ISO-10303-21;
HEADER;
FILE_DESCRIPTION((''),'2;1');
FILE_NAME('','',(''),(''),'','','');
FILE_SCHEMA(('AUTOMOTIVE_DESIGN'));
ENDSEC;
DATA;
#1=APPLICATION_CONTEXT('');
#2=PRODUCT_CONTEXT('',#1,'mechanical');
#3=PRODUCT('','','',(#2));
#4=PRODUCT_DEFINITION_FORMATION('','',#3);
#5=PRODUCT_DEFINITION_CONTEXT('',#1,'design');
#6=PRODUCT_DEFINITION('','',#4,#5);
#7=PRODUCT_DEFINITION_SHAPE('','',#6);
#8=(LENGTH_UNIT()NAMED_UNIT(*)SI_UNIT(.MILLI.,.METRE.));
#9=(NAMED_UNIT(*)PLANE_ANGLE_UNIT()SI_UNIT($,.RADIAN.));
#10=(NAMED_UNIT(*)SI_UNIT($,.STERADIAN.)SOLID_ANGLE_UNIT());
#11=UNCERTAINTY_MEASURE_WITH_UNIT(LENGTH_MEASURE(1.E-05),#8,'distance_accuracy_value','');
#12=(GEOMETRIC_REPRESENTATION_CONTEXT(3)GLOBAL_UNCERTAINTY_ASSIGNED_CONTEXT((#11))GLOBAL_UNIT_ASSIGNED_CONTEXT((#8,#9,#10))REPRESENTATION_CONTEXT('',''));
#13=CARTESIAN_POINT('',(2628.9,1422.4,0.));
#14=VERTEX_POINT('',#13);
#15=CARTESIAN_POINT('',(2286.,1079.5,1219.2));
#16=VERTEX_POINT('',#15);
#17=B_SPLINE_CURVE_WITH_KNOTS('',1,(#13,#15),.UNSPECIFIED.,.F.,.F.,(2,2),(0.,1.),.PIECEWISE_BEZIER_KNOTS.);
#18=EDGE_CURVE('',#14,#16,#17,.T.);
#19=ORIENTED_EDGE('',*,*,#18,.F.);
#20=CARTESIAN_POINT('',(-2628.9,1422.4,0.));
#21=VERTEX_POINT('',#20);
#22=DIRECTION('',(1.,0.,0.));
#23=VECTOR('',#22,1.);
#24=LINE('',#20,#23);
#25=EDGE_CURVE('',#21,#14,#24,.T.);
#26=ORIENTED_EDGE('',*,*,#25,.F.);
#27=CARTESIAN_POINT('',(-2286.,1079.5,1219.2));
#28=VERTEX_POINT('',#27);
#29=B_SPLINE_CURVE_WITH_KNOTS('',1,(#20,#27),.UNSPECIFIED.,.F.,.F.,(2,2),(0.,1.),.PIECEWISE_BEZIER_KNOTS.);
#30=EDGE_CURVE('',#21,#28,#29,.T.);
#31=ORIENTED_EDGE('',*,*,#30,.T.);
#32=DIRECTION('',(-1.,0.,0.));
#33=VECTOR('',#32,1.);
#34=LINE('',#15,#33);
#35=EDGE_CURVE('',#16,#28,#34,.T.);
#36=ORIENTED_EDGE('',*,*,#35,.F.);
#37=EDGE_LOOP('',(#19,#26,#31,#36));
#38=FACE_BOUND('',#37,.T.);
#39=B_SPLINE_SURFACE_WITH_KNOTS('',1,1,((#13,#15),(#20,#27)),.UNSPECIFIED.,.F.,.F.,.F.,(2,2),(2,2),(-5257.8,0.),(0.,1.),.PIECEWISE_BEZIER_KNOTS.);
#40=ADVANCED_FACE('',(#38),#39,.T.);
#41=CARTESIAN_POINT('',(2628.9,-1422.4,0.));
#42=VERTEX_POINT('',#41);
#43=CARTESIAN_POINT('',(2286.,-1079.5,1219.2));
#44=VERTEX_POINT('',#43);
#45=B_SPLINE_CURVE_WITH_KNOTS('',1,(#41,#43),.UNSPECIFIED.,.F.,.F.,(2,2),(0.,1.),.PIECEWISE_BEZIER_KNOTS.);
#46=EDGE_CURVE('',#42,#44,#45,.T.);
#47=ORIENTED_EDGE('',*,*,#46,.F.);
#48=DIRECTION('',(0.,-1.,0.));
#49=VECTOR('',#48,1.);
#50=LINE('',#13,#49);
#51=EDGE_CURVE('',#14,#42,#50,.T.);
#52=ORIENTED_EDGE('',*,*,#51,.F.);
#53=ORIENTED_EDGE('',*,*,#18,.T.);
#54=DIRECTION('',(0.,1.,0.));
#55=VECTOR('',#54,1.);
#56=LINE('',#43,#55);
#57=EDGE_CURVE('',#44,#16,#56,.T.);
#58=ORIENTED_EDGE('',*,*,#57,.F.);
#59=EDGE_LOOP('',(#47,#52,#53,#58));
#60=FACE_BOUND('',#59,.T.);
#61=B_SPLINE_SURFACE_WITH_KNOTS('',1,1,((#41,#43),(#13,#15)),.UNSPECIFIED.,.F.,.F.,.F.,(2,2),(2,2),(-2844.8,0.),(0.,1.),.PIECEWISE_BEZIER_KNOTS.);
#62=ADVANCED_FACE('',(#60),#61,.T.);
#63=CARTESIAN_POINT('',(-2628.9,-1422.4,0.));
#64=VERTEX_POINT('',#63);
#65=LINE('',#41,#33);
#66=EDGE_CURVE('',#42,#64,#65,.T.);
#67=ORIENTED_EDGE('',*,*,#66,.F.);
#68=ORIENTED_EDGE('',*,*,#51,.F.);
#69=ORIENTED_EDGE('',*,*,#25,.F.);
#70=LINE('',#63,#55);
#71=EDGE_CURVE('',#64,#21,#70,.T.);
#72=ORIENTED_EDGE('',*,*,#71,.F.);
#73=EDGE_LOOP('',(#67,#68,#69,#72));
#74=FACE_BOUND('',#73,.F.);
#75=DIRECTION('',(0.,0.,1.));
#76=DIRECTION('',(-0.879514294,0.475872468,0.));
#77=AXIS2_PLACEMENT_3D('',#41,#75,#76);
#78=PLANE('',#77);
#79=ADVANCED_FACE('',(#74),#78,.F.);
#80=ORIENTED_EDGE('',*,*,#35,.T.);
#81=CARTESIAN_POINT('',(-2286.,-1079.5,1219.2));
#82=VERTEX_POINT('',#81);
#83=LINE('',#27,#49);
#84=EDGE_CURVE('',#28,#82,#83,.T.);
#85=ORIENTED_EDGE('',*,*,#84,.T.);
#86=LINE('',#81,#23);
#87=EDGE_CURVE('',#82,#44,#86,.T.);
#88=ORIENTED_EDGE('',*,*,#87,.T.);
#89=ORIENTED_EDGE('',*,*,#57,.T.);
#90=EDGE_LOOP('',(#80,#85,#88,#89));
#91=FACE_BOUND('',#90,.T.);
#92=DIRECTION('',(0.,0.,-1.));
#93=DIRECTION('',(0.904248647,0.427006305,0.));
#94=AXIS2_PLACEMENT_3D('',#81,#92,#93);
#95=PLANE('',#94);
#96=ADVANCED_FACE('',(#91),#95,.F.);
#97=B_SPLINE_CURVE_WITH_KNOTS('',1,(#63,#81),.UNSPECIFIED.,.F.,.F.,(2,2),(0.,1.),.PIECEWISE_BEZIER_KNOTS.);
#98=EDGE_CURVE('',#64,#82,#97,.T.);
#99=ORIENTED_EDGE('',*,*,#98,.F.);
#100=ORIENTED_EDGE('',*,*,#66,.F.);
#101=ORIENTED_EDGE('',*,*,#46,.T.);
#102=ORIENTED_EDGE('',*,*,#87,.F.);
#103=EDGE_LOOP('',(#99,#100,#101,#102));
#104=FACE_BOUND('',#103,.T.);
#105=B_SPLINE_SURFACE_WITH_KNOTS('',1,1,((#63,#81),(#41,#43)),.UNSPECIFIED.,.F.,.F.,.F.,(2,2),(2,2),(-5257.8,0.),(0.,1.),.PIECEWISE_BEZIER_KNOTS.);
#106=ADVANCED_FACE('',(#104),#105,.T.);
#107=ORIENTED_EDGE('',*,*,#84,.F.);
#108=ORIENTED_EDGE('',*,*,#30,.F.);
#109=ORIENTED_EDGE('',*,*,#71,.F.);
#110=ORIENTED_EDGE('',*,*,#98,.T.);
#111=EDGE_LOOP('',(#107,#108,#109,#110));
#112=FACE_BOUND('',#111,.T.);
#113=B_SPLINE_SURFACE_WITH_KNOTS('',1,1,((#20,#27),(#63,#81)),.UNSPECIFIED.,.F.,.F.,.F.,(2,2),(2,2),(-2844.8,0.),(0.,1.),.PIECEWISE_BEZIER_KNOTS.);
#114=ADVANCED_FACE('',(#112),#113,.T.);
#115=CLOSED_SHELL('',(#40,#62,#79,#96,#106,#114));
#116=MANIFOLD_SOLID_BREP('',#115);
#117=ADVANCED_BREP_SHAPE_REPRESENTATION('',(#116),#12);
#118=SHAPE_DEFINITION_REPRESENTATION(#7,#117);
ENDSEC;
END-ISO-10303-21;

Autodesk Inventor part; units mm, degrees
ref_plane "YZ Plane" through (0, 0, 0) normal (1, 0, 0) x (0, 1, 0)
ref_plane "XZ Plane" through (0, 0, 0) normal (0, 1, 0) x (-1, 0, 0)
sketch "Sketch1" plane through (0, 0, 0) normal (0, 0, 1) x (1, 0, 0)
  line L0 (2628.9, -1422.4) -> (-2628.9, -1422.4)
  line L1 (-2628.9, -1422.4) -> (-2628.9, 1422.4)
  line L2 (-2628.9, 1422.4) -> (2628.9, 1422.4)
  line L3 (2628.9, 1422.4) -> (2628.9, -1422.4)
  line L4 (2628.9, -1422.4) -> (-2628.9, 1422.4) construction
  line L5 (-2628.9, -1422.4) -> (2628.9, 1422.4) construction
  point P0 (0, 0)
  dimension "d0" = 5257.8
  dimension "d1" = 2844.8
ref_plane "Work Plane1" through (0, 0, 1219.2) normal (0, 0, 1) x (1, 0, 0)
sketch "Sketch2" plane through (0, 0, 1219.2) normal (0, 0, 1) x (1, 0, 0)
  line L0 (-2286, -1079.5) -> (2286, -1079.5)
  line L1 (2286, -1079.5) -> (2286, 1079.5)
  line L2 (2286, 1079.5) -> (-2286, 1079.5)
  line L3 (-2286, 1079.5) -> (-2286, -1079.5)
  line L4 (-2286, -1079.5) -> (2286, 1079.5) construction
  line L5 (2286, -1079.5) -> (-2286, 1079.5) construction
  point P0 (0, 0)
  dimension "d3" = 4572
  dimension "d4" = 2159
loft "Loft1" add profiles "Sketch1", "Sketch2"
properties part number "ColemanPool"
